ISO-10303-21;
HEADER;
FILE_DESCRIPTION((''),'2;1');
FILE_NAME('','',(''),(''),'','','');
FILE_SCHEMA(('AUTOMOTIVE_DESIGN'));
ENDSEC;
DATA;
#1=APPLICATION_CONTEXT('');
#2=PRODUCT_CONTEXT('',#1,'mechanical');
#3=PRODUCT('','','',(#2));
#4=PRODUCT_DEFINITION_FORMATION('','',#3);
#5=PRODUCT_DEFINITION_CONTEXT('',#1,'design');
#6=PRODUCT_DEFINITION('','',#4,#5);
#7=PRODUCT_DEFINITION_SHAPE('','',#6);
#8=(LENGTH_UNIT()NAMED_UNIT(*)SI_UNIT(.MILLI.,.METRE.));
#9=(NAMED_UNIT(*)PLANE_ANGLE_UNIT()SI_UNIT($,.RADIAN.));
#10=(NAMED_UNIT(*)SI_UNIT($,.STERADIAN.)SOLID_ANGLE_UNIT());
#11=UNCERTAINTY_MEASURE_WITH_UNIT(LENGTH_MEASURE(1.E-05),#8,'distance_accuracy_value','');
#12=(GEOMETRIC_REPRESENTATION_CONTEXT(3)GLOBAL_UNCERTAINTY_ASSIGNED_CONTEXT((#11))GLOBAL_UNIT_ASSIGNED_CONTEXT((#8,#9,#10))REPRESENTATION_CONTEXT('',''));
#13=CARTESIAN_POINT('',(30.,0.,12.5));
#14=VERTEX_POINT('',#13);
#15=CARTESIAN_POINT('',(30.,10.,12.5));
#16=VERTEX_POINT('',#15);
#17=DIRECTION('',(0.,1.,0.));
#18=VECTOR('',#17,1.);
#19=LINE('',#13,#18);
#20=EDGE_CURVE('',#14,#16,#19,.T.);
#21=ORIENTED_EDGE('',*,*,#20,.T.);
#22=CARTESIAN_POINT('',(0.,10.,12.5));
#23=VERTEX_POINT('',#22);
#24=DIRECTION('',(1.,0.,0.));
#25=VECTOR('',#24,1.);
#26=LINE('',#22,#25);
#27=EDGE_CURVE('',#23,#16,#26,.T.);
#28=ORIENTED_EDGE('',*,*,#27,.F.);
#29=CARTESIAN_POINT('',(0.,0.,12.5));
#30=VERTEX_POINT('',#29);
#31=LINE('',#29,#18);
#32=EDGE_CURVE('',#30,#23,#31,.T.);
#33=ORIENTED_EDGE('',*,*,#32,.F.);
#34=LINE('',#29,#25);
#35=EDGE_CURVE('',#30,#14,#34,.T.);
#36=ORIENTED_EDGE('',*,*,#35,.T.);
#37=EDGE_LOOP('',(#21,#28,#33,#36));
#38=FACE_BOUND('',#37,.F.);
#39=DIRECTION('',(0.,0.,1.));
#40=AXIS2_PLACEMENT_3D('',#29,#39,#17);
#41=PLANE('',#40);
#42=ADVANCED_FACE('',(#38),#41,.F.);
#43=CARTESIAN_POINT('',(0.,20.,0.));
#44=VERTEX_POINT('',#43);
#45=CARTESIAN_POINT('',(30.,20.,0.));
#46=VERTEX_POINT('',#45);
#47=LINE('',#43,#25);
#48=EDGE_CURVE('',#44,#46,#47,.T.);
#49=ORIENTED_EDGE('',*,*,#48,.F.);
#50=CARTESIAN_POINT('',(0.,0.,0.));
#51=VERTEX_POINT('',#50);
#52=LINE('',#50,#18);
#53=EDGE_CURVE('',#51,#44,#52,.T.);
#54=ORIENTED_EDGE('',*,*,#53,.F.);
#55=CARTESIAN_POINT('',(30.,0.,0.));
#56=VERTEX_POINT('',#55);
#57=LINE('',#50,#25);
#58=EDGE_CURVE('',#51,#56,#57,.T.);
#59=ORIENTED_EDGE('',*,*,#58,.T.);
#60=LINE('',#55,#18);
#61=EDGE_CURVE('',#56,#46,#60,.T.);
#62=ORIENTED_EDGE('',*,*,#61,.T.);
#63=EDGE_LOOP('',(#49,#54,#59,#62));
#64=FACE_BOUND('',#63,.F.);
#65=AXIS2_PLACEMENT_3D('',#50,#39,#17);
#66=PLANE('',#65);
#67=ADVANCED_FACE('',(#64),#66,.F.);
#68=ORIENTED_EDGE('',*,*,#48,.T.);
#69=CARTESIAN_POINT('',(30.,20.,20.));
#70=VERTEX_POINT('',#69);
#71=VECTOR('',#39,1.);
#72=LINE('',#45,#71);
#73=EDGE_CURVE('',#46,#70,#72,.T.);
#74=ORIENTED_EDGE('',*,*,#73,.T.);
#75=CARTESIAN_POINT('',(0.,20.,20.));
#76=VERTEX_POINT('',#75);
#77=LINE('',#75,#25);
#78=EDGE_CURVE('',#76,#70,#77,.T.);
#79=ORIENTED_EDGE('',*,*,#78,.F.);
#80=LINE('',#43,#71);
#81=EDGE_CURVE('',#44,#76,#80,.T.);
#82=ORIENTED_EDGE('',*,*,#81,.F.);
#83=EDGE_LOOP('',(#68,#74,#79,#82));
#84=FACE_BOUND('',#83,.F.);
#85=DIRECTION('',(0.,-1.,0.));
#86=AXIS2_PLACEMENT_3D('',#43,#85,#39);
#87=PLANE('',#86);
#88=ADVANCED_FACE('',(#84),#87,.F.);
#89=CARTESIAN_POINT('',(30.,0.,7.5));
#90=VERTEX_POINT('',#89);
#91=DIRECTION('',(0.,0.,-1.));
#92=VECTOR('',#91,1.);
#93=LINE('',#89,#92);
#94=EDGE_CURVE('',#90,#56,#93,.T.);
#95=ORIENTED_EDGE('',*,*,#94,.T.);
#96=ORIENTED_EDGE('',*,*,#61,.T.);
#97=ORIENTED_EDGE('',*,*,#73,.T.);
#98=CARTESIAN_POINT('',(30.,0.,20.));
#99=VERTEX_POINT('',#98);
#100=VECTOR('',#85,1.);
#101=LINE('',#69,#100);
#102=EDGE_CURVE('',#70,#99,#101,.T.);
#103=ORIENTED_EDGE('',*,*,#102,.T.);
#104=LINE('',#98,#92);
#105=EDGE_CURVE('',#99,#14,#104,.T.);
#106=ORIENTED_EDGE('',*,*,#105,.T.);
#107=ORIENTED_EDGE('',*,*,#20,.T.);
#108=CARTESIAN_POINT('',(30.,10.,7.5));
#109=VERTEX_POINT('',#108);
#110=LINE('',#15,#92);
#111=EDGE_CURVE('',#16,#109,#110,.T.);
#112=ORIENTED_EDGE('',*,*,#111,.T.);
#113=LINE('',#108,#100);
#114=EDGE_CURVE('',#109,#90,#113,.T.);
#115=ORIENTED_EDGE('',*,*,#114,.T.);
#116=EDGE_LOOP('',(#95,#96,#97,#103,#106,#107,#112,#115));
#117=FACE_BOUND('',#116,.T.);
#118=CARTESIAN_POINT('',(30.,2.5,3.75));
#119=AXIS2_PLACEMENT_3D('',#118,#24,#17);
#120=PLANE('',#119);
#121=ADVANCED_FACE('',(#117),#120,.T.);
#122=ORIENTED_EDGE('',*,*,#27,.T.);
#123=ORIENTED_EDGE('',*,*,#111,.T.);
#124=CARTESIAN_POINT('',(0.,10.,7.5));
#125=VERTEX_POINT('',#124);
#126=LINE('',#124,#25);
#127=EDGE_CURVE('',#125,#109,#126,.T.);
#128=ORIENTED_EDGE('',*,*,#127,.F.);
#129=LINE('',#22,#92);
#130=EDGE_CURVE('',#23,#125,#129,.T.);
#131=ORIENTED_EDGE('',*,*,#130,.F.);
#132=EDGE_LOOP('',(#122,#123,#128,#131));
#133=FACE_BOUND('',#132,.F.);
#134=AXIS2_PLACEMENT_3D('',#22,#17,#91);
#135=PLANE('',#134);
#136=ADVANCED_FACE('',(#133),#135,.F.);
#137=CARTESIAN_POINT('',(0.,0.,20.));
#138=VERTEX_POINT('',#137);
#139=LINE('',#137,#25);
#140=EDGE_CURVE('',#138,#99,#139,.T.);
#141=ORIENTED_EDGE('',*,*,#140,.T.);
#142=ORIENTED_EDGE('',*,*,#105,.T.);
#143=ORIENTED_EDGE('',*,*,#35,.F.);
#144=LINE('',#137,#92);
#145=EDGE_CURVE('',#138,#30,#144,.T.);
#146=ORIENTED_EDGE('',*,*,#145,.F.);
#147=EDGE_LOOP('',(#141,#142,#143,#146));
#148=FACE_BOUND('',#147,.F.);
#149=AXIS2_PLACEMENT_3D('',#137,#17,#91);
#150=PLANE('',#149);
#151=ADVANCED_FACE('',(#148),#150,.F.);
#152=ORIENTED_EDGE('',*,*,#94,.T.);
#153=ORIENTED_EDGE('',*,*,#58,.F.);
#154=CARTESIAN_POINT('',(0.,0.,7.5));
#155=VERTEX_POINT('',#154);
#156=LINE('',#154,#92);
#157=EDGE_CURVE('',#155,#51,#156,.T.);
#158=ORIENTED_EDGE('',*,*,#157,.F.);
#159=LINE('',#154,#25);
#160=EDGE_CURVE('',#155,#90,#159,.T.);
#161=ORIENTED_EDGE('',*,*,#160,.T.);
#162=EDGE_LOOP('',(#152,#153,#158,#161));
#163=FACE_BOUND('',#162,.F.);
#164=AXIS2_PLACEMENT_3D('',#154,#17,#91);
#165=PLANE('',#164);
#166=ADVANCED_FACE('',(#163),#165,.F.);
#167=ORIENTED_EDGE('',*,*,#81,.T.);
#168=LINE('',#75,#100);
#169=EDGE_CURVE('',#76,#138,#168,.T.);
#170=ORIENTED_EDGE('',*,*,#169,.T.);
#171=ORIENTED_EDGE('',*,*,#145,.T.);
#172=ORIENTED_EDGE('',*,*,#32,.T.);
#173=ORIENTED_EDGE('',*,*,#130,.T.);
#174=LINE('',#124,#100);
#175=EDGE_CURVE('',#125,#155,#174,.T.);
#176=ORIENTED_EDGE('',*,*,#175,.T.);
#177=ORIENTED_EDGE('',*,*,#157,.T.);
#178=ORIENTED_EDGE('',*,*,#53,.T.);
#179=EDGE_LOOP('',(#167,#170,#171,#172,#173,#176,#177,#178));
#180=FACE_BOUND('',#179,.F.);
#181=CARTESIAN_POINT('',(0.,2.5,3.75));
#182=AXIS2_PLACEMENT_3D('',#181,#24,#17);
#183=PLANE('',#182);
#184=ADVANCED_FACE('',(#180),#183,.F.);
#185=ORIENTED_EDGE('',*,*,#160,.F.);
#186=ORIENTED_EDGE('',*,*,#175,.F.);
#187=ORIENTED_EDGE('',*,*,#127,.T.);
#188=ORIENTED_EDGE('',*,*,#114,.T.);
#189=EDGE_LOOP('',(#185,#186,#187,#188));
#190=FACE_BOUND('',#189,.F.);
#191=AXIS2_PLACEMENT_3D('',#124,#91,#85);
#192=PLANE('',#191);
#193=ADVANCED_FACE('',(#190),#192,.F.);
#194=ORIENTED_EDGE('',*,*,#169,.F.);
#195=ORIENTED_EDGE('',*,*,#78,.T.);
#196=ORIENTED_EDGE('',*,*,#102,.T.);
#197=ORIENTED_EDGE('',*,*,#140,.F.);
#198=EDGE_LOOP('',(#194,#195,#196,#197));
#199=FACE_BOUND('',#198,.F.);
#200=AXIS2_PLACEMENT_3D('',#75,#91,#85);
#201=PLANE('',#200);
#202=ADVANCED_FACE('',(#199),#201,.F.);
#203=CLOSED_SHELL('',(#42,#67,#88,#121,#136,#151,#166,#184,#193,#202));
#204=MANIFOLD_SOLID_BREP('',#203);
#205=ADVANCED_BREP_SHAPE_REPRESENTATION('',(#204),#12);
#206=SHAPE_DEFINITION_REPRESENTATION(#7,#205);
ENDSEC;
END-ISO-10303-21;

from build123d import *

# Parameters (mm, degrees)
F0_W     = 15
F0_H     = 5
F1_DEPTH = 30


with BuildPart() as f1:
    # F0 (on Right) → F1 (new body)
    with BuildSketch(Plane.YZ):
        Polygon((0, 7.5), (0, 0), (5, 0), (5, 5), (5, 7.5), align=None)
        with Locations((12.5, 2.5)):
            Rectangle(F0_W, F0_H)
        Polygon((5, 7.5), (5, 5), (20, 5), (20, 15), (5, 15), (5, 12.5), (10, 12.5), (10, 7.5), align=None)
        with Locations((12.5, 17.5)):
            Rectangle(F0_W, F0_H)
        Polygon((5, 12.5), (5, 15), (5, 20), (0, 20), (0, 12.5), align=None)
    extrude(amount=F1_DEPTH)


solid = f1.part
